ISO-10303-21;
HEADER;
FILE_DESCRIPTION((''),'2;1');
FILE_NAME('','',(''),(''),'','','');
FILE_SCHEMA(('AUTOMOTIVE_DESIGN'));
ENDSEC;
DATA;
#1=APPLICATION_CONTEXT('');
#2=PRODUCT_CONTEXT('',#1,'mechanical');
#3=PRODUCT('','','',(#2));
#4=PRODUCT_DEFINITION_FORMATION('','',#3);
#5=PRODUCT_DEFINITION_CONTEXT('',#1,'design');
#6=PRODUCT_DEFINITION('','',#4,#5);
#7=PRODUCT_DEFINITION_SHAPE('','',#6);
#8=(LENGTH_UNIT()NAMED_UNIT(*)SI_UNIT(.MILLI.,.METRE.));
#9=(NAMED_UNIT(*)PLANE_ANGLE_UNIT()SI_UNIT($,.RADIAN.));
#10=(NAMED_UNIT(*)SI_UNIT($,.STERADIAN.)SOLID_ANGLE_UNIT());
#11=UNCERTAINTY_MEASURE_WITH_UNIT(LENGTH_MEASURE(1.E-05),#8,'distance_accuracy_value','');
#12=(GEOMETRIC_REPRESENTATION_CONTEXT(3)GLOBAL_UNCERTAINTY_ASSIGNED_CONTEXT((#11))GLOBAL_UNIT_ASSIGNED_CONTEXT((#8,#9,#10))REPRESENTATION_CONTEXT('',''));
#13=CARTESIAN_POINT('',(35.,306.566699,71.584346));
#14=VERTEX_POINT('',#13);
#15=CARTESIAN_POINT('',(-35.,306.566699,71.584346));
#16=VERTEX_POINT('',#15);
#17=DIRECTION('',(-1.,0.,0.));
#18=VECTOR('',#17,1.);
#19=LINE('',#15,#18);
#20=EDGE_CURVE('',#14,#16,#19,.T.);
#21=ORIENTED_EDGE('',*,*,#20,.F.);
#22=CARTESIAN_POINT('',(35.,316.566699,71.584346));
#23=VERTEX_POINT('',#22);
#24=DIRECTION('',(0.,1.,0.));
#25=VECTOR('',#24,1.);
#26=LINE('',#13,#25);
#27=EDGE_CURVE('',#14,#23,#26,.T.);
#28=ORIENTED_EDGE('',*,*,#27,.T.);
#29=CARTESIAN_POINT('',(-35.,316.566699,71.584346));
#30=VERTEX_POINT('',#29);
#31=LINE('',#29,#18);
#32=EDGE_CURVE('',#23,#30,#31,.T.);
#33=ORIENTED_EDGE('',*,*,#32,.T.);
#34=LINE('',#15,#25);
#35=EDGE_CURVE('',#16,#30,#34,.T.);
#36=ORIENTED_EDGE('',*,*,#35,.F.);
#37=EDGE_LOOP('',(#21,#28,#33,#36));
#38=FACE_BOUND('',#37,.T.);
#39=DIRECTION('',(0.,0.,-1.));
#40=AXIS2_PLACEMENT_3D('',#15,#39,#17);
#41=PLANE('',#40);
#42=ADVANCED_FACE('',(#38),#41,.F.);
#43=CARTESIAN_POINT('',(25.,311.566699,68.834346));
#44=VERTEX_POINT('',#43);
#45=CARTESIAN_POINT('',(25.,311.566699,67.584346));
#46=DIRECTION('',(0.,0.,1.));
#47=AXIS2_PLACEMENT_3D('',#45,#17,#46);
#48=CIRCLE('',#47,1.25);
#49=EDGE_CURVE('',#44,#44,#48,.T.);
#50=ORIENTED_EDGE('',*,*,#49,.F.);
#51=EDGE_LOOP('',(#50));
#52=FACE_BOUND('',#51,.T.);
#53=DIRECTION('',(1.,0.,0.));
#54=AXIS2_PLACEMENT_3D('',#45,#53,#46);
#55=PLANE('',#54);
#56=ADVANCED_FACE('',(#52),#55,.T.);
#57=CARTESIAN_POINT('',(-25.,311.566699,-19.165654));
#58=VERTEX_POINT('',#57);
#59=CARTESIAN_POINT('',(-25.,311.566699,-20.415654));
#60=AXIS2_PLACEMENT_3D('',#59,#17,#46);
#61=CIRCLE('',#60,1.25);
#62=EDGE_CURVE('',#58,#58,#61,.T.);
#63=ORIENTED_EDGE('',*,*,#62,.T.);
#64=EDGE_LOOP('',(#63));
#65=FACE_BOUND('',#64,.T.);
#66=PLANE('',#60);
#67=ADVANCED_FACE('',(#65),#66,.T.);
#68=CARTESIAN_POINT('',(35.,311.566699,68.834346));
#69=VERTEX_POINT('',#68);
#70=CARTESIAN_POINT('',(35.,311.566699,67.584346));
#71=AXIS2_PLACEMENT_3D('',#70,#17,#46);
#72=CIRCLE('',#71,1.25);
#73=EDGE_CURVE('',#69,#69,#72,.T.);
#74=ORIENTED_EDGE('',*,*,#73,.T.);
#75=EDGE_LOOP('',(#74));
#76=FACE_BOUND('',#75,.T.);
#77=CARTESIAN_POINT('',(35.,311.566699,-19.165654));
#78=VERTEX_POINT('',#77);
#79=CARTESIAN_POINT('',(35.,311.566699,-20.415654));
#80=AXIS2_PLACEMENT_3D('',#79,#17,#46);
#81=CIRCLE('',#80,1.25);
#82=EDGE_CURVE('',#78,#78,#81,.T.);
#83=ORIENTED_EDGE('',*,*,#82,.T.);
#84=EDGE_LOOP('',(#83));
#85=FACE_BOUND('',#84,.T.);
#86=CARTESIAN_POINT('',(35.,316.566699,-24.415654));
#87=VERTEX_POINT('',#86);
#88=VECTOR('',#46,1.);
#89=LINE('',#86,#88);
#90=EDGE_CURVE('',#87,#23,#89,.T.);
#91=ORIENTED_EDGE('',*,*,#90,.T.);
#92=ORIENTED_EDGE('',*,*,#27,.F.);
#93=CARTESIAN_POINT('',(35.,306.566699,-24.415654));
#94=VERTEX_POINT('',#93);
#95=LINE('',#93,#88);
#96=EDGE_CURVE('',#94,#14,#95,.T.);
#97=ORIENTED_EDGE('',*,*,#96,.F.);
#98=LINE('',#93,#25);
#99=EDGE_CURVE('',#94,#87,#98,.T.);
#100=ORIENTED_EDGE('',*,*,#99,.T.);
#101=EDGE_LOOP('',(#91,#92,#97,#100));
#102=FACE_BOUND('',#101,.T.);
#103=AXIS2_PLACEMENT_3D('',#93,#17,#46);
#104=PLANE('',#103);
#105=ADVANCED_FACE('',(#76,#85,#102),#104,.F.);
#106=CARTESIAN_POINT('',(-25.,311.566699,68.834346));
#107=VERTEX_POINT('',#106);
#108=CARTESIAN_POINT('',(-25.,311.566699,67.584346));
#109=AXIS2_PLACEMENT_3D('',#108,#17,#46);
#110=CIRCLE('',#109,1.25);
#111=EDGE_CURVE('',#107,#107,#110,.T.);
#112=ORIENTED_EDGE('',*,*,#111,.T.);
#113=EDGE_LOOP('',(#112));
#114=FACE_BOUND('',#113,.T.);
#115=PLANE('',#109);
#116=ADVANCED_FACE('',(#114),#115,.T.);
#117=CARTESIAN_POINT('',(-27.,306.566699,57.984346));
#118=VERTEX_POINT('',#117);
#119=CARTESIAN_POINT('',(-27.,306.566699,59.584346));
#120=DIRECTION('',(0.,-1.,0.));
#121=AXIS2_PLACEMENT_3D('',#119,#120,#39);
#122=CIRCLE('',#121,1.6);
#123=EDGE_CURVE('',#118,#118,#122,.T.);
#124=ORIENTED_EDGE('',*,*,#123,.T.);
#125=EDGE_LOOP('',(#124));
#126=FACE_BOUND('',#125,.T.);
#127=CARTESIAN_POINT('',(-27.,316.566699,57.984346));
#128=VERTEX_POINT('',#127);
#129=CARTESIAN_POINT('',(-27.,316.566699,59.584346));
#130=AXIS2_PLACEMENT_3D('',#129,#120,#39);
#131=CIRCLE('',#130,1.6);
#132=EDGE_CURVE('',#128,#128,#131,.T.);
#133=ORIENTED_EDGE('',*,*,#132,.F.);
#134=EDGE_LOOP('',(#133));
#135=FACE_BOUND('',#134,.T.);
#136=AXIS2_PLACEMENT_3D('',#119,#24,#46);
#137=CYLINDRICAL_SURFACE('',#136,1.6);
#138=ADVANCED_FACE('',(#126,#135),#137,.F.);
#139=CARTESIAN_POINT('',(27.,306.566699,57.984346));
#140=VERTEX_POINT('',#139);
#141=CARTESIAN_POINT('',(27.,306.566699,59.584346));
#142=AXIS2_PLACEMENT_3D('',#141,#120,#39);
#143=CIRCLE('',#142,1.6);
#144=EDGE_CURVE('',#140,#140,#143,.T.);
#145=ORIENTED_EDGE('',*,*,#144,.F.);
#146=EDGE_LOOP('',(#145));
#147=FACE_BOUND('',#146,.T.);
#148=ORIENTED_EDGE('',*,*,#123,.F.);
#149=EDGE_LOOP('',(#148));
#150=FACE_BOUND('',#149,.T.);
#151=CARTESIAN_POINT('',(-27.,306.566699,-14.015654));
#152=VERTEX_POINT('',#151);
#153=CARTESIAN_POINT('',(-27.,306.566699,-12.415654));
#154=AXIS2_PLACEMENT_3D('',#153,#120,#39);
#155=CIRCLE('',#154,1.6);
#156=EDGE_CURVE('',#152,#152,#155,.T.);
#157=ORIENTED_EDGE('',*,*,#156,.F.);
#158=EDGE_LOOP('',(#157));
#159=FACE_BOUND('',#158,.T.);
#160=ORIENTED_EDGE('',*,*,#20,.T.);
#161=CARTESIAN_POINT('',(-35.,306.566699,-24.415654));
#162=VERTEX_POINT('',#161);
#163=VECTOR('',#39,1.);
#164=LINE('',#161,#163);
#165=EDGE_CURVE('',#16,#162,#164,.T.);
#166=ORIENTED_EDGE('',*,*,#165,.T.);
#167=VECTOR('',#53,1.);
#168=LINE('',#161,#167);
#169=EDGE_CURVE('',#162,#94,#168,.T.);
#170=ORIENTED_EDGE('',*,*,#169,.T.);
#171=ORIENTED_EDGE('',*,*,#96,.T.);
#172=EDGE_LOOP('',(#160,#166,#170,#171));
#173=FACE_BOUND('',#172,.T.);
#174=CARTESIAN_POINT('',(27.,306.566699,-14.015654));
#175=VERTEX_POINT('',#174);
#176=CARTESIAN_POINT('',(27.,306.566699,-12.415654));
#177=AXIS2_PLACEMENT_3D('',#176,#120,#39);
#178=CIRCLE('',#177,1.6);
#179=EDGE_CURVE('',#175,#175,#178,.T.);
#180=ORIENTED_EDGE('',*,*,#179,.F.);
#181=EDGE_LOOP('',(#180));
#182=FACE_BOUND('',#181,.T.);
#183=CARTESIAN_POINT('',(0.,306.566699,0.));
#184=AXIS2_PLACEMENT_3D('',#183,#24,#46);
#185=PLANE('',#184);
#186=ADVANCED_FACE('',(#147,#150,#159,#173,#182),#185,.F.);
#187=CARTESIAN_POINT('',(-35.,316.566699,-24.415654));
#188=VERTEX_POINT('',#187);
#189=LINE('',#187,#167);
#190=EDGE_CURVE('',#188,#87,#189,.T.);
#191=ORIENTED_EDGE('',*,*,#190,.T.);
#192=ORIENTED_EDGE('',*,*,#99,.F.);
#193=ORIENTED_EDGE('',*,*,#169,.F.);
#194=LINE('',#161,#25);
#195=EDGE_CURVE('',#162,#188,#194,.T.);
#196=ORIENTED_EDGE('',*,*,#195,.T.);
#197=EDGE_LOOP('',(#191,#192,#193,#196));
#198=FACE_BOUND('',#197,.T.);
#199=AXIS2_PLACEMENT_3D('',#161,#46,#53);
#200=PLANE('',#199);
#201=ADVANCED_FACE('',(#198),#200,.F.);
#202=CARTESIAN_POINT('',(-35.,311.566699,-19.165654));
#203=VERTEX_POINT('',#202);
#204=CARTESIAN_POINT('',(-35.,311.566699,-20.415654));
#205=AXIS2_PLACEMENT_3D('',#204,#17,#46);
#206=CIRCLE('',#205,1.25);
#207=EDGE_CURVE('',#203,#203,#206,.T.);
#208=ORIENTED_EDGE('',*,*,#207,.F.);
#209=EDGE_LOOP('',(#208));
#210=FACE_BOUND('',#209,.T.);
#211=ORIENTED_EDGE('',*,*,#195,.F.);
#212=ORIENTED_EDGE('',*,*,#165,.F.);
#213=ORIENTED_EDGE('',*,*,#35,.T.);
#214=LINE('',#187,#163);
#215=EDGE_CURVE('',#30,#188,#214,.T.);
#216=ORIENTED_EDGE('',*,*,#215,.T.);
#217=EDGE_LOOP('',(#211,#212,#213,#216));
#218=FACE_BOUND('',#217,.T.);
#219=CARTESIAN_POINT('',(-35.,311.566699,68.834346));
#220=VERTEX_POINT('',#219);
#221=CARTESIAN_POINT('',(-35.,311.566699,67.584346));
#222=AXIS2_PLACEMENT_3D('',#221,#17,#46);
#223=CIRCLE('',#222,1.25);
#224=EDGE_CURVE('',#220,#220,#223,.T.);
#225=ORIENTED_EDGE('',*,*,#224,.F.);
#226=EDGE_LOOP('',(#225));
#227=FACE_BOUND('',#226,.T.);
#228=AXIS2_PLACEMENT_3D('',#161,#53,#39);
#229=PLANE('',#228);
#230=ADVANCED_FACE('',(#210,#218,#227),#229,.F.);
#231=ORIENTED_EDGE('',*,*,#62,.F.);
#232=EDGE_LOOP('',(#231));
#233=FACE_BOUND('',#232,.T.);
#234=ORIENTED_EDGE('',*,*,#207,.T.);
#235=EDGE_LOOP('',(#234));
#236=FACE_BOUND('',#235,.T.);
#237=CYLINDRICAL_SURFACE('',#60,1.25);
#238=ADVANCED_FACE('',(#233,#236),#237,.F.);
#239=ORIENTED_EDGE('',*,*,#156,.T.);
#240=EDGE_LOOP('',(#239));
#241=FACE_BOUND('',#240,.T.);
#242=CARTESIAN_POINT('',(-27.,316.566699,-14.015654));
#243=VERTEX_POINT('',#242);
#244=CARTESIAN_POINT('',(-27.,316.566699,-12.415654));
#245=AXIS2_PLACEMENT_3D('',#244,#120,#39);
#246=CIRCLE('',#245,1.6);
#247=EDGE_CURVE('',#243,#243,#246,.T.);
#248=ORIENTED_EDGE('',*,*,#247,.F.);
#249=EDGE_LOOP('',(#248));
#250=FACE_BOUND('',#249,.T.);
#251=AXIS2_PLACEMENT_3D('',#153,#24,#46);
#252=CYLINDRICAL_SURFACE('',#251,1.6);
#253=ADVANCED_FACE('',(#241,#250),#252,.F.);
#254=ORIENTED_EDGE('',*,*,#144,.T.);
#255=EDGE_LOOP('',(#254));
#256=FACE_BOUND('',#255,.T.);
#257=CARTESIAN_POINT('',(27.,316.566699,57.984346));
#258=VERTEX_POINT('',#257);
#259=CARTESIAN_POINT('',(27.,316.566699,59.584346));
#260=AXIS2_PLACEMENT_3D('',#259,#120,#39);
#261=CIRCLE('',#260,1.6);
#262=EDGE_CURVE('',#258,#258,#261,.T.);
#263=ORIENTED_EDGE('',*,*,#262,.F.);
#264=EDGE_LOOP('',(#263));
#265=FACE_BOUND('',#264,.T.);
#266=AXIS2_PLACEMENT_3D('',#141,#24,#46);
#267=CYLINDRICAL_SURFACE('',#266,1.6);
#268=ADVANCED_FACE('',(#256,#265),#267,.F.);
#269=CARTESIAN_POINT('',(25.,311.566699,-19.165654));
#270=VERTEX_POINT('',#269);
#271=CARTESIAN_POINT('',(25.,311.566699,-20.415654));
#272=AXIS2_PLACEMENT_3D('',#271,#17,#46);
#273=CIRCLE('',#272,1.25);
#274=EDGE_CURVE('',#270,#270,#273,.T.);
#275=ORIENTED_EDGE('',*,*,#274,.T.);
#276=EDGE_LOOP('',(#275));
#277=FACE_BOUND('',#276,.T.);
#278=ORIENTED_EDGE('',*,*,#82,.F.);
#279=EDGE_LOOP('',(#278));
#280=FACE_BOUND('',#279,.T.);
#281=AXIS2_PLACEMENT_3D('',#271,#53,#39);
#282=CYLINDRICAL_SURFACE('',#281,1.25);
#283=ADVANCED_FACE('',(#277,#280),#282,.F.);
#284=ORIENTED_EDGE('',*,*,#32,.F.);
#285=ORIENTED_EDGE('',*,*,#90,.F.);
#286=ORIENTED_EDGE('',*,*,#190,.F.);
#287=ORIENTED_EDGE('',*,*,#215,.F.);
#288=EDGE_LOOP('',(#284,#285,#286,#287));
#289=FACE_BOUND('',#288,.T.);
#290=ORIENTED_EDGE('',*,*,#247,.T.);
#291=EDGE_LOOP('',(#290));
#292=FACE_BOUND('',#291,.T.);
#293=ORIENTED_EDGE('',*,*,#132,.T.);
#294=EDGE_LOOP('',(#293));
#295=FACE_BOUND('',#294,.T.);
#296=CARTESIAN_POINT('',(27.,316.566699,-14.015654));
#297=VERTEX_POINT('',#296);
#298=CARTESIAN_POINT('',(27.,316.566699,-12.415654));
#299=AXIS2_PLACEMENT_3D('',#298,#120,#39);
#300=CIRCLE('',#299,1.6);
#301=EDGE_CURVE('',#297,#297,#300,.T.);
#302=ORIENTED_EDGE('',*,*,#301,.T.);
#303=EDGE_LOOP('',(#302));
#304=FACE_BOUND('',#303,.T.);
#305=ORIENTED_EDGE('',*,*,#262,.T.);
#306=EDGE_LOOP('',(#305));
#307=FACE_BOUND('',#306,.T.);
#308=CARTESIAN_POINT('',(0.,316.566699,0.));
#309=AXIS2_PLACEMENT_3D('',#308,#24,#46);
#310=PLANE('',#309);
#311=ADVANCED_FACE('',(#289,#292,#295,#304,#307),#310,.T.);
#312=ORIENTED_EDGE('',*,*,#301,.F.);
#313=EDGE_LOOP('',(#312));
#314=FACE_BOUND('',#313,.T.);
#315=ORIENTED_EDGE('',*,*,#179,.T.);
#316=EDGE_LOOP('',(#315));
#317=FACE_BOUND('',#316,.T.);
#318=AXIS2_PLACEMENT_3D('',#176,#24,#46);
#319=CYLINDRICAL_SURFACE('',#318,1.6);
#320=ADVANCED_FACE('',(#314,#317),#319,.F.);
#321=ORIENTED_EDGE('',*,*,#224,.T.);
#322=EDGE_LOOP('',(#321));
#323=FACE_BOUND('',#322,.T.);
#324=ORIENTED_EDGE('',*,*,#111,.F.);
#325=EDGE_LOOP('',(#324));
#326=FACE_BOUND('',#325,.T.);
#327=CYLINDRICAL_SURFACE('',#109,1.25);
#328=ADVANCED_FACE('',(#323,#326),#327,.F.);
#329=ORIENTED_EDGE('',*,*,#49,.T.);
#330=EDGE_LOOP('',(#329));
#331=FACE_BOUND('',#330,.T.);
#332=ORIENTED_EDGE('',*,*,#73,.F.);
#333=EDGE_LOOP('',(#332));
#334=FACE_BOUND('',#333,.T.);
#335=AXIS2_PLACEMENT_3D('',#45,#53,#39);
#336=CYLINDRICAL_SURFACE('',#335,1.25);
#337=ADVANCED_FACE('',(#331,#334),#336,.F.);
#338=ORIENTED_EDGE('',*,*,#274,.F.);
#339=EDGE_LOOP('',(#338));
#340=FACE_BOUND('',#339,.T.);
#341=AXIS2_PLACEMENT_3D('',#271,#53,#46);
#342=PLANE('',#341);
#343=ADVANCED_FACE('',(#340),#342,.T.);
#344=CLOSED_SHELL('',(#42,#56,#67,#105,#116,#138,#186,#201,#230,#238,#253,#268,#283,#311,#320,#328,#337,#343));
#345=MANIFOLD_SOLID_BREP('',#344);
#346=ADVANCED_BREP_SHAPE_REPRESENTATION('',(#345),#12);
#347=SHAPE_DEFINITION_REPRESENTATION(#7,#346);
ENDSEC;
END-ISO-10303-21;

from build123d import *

# Parameters (mm, degrees)
SKETCH1_W           = 70
SKETCH1_H           = 96
SKETCH1_R           = 1.6
BOSS_EXTRUDE1_DEPTH = 10
SKETCH2_R           = 1.25
CUT_EXTRUDE1_DEPTH  = 10


with BuildPart() as part:
    # Sketch1 → Boss-Extrude1 (new body)
    with BuildSketch(Plane.XZ.offset(-316.566699204)):
        with Locations((0, 23.58434623)):
            Rectangle(SKETCH1_W, SKETCH1_H)
        with Locations(Location((-27, 59.58434623, 0), (0, 0, 270))):
            Circle(SKETCH1_R, mode=Mode.SUBTRACT)
        with Locations(Location((27, 59.58434623, 0), (0, 0, 270))):
            Circle(SKETCH1_R, mode=Mode.SUBTRACT)
        with Locations(Location((-27, -12.41565377, 0), (0, 0, 270))):
            Circle(SKETCH1_R, mode=Mode.SUBTRACT)
        with Locations(Location((27, -12.41565377, 0), (0, 0, 270))):
            Circle(SKETCH1_R, mode=Mode.SUBTRACT)
    extrude(amount=BOSS_EXTRUDE1_DEPTH)

    # Sketch2 → Cut-Extrude1 (cut)
    with BuildSketch(Plane.ZY.offset(35)):
        with Locations((-20.41565377, 311.566699204)):
            Circle(SKETCH2_R)
        with Locations((67.58434623, 311.566699204)):
            Circle(SKETCH2_R)
    cut_extrude1 = extrude(amount=-CUT_EXTRUDE1_DEPTH, mode=Mode.SUBTRACT)

    # Mirror1: Cut-Extrude1 across plane
    add(cut_extrude1.mirror(Plane(origin=(0, 0, 0), x_dir=(0, 0, 1), z_dir=(1, 0, 0))), mode=Mode.SUBTRACT)


solid = part.part
